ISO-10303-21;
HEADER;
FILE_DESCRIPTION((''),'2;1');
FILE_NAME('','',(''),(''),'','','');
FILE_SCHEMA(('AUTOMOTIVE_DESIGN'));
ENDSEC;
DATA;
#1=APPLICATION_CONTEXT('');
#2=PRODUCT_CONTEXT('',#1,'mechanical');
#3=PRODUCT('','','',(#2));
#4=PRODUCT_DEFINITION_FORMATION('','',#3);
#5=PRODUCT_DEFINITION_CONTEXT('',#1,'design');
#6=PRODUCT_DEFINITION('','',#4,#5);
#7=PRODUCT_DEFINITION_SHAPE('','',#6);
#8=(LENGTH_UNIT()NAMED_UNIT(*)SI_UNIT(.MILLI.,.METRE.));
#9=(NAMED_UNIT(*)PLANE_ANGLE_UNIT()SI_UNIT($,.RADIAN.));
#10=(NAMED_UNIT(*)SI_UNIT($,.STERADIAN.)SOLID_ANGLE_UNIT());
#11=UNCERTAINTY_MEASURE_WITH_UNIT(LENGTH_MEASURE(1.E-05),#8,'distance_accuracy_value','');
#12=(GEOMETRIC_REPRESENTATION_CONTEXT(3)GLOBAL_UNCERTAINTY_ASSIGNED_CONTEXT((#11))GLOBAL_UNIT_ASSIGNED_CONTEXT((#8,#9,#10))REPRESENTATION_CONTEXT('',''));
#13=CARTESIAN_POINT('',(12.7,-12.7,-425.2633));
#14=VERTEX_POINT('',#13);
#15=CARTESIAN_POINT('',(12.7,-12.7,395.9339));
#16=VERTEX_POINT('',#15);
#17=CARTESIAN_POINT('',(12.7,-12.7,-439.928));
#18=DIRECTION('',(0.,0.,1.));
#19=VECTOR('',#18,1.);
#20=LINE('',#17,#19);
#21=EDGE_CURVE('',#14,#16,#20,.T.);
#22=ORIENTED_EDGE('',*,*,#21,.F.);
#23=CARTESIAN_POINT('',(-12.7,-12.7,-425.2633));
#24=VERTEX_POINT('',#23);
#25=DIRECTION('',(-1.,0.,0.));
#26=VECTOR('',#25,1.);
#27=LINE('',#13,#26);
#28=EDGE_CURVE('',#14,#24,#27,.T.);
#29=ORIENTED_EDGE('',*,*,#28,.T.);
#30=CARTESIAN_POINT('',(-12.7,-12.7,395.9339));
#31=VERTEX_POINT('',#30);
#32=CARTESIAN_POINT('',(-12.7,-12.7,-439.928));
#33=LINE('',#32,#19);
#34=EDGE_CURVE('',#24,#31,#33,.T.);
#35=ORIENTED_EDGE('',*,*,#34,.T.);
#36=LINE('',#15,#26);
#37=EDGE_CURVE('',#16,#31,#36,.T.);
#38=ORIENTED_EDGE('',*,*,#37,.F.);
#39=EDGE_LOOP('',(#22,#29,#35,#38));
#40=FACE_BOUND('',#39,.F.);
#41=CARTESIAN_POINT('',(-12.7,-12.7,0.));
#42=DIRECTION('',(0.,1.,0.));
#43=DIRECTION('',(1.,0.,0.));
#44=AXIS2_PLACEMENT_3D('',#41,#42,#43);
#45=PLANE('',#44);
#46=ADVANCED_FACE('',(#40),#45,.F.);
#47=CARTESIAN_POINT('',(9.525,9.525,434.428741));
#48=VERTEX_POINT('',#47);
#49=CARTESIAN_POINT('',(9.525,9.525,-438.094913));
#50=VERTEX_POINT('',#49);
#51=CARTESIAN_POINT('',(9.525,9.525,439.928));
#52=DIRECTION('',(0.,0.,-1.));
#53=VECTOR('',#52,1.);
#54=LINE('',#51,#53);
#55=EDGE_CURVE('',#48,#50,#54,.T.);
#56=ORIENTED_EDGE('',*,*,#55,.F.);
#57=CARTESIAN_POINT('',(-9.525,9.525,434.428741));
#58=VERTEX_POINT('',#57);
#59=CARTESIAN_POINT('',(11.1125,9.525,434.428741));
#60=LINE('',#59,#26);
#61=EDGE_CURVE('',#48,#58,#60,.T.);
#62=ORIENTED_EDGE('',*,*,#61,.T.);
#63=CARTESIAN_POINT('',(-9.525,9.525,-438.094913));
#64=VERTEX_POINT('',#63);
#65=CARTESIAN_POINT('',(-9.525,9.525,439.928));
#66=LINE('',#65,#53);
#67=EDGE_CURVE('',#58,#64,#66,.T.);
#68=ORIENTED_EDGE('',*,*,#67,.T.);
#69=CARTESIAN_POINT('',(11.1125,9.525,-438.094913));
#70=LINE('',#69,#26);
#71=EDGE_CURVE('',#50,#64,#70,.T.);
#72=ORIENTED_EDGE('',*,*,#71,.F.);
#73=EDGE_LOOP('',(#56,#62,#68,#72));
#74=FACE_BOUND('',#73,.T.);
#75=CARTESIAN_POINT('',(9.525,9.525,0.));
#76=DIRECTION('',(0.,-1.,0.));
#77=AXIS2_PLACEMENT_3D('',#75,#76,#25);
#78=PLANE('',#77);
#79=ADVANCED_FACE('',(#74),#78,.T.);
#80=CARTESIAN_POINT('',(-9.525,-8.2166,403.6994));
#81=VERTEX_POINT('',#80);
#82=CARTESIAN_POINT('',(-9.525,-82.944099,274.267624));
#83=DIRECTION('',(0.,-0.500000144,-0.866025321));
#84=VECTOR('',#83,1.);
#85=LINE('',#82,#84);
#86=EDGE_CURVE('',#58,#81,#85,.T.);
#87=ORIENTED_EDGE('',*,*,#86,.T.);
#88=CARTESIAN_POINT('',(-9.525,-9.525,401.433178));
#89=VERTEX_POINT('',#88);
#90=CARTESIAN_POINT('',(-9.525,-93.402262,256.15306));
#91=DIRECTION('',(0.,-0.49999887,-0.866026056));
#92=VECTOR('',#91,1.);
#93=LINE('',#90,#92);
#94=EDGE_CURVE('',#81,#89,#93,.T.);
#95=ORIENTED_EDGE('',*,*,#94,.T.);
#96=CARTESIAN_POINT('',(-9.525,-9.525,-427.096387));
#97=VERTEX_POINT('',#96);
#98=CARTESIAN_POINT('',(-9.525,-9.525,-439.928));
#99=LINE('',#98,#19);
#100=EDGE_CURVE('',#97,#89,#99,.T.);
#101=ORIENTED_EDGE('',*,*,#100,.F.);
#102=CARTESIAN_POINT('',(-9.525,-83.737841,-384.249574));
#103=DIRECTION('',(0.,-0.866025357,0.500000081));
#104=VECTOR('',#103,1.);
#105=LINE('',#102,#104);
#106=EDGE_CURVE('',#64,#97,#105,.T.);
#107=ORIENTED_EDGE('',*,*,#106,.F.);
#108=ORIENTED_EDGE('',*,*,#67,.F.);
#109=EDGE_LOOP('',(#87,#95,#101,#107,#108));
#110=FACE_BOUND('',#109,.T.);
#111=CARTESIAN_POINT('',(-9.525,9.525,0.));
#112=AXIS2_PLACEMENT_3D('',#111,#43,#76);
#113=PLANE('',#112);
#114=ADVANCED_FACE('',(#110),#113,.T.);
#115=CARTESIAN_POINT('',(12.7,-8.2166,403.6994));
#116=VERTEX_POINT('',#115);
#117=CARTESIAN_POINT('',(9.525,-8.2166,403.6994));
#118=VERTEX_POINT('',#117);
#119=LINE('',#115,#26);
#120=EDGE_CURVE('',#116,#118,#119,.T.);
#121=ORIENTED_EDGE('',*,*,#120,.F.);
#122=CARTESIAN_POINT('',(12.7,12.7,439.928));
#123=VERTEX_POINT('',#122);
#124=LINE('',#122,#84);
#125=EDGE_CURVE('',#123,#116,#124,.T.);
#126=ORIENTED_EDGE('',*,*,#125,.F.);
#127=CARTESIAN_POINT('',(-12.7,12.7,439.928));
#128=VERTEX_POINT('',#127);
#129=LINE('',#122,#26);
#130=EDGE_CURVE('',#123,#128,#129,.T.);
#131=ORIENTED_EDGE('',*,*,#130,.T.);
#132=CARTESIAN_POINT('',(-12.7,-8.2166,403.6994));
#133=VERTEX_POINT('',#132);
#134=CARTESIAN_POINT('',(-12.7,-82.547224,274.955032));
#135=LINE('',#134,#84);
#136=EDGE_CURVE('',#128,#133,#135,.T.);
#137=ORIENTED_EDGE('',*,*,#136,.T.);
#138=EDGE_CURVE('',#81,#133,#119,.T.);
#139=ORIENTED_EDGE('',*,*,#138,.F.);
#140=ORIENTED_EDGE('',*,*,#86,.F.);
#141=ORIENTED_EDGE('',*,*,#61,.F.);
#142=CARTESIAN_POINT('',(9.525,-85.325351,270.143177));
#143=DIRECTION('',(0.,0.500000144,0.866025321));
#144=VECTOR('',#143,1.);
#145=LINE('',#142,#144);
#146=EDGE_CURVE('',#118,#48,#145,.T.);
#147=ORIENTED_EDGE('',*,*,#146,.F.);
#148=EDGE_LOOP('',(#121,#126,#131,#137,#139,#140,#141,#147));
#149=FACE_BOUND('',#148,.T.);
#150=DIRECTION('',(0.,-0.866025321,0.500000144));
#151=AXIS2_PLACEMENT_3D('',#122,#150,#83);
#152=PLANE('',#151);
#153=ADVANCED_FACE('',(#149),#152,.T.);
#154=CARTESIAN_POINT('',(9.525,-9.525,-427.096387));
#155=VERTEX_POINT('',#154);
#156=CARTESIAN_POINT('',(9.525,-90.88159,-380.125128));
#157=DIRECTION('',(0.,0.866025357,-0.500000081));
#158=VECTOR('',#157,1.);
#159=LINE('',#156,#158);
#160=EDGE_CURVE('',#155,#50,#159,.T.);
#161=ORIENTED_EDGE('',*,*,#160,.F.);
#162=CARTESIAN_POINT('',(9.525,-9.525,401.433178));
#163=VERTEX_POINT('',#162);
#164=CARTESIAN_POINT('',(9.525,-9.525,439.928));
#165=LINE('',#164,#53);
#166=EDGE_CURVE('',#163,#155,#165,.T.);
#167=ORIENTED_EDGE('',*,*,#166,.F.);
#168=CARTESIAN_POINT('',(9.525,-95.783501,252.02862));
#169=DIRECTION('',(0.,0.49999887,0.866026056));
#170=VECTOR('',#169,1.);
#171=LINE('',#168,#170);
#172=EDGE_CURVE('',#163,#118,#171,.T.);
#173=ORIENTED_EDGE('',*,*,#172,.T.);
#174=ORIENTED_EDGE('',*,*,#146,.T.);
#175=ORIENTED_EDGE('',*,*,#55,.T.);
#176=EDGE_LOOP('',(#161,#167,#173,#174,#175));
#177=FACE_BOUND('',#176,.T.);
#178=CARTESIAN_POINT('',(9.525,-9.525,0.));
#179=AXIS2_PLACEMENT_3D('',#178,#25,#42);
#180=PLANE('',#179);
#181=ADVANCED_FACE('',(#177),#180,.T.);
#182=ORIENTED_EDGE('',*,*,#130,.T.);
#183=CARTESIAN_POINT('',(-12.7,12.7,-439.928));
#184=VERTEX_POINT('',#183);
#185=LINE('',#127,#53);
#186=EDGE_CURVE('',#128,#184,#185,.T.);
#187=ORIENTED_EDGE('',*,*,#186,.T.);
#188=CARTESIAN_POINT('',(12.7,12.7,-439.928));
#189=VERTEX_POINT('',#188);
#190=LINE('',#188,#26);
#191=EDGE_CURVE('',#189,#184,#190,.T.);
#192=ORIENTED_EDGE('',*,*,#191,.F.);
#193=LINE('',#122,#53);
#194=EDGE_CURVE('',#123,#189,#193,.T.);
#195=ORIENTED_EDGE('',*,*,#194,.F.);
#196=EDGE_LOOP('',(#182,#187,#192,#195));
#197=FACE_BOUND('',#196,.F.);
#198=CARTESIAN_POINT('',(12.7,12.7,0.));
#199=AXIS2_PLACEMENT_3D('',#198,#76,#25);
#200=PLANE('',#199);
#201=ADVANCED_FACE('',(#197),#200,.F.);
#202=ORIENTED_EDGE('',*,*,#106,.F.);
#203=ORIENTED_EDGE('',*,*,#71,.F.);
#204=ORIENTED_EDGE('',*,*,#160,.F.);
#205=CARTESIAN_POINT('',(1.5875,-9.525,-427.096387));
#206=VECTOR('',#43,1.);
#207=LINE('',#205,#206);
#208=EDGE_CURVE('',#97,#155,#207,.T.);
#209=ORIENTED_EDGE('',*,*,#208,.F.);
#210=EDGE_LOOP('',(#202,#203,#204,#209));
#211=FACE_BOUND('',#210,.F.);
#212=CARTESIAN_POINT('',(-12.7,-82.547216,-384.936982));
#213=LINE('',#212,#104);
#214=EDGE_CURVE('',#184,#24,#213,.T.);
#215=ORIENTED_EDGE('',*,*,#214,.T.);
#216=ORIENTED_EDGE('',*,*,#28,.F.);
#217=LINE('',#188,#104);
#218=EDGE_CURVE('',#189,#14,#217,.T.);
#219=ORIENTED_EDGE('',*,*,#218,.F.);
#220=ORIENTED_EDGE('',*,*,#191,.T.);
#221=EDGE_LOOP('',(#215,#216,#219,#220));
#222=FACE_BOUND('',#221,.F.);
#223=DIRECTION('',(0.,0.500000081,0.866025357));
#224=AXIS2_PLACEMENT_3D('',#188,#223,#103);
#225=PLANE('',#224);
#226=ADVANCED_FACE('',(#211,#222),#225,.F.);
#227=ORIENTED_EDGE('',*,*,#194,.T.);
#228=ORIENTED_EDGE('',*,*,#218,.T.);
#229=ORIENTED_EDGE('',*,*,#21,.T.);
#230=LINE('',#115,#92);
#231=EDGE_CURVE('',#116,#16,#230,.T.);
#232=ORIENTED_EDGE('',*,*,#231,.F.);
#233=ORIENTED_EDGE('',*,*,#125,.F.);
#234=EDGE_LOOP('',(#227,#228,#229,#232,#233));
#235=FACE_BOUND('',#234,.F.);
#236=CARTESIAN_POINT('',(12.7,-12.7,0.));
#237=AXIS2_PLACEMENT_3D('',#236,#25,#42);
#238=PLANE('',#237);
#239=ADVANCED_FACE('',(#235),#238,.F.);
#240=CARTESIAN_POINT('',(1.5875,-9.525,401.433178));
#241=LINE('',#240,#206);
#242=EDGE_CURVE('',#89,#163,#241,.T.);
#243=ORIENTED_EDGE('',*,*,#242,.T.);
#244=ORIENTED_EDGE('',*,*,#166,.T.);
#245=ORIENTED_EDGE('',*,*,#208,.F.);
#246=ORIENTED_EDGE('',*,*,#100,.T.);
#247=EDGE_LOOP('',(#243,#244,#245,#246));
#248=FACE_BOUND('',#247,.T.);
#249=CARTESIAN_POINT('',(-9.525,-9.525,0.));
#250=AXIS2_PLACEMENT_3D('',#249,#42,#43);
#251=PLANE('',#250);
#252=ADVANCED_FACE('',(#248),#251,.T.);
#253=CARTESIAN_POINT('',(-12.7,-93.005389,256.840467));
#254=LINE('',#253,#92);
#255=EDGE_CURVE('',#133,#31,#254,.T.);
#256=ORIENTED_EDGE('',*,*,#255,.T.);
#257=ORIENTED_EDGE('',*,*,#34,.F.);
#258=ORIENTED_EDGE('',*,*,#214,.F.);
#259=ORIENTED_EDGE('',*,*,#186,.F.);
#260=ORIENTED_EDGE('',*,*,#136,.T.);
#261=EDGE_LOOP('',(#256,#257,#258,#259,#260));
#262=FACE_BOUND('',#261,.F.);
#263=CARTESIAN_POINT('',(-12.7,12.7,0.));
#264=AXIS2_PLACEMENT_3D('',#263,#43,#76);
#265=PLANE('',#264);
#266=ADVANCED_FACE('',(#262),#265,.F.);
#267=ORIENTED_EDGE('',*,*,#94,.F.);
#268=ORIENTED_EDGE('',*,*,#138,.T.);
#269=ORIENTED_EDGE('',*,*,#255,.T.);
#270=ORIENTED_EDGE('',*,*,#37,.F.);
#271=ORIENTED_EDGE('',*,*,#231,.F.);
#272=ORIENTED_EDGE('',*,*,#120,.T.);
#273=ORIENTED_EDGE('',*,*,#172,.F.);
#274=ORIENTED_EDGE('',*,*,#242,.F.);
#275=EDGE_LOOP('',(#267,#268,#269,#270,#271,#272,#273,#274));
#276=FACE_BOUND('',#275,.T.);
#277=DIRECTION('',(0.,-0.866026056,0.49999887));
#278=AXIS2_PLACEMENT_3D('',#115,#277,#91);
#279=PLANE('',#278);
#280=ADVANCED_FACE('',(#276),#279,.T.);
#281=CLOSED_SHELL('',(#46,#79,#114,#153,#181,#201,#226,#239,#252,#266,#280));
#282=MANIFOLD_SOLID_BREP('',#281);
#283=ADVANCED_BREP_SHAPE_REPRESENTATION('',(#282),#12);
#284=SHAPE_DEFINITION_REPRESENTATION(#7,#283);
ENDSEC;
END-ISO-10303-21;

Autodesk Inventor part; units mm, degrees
ref_plane "YZ Plane" through (0, 0, 0) normal (1, 0, 0) x (0, 1, 0)
ref_plane "XZ Plane" through (0, 0, 0) normal (0, 1, 0) x (-1, 0, 0)
ref_plane "XY Plane" through (0, 0, 0) normal (0, 0, 1) x (1, 0, 0)
sketch "Sketch2" plane through (0, 0, 0) normal (0, 0, 1) x (1, 0, 0)
  line L0 (-12.7, -12.7) -> (12.7, -12.7)
  line L1 (12.7, -12.7) -> (12.7, 12.7)
  line L2 (12.7, 12.7) -> (-12.7, 12.7)
  line L3 (-12.7, 12.7) -> (-12.7, -12.7)
  line L4 (-12.7, -12.7) -> (12.7, 12.7) construction
  line L5 (12.7, -12.7) -> (-12.7, 12.7) construction
  line L6 (-9.525, -9.525) -> (9.525, -9.525)
  line L7 (9.525, -9.525) -> (9.525, 9.525)
  line L8 (9.525, 9.525) -> (-9.525, 9.525)
  line L9 (-9.525, 9.525) -> (-9.525, -9.525)
  line L10 (-9.525, -9.525) -> (9.525, 9.525) construction
  line L11 (9.525, -9.525) -> (-9.525, 9.525) construction
  point P0 (0, 0)
  dimension "d0" = 25.4
  dimension "d1" = 25.4
  dimension "d2" = 3.175
  dimension "d3" = 3.175
extrude "Extrusion1" add sketch "Sketch2" along normal mid plane 879.856
sketch "Sketch3" plane through (12.7, -12.7, 439.928) normal (1, 0, 0) x (0, 0, -1)
  line L0 (879.856, 25.4) -> (879.856, 0) projected
  line L1 (879.856, 25.4) -> (865.1913, 0)
  line L2 (879.856, 0) -> (0, 0) projected
  line L3 (865.1913, 0) -> (879.856, 0)
  line L4 (879.856, 25.4) -> (0, 25.4) projected
  line L5 (879.856, 0) -> (879.856, 25.4)
  point P0 (439.928, 12.7)
  dimension "d6" = 30
extrude "Extrusion2" cut sketch "Sketch3" against normal through all
sketch "Sketch4" plane through (12.7, -12.7, 439.928) normal (1, 0, 0) x (0, 0, -1)
  line L0 (0, 25.4) -> (0, 0) projected
  line L1 (0, 25.4) -> (36.2286, 4.4834)
  line L2 (36.2286, 4.4834) -> (43.9941, 0)
  line L3 (865.1913, 0) -> (0, 0) projected
  line L4 (0, 25.4) -> (0, 0)
  line L5 (0, 0) -> (43.9941, 0)
  point P0 (439.928, 12.7)
  dimension "d9" = 60
extrude "Extrusion3" cut sketch "Sketch4" against normal through all
properties part number "aluminumBallHandlerHypotenuse" material "Aluminum 6061-AHC"
